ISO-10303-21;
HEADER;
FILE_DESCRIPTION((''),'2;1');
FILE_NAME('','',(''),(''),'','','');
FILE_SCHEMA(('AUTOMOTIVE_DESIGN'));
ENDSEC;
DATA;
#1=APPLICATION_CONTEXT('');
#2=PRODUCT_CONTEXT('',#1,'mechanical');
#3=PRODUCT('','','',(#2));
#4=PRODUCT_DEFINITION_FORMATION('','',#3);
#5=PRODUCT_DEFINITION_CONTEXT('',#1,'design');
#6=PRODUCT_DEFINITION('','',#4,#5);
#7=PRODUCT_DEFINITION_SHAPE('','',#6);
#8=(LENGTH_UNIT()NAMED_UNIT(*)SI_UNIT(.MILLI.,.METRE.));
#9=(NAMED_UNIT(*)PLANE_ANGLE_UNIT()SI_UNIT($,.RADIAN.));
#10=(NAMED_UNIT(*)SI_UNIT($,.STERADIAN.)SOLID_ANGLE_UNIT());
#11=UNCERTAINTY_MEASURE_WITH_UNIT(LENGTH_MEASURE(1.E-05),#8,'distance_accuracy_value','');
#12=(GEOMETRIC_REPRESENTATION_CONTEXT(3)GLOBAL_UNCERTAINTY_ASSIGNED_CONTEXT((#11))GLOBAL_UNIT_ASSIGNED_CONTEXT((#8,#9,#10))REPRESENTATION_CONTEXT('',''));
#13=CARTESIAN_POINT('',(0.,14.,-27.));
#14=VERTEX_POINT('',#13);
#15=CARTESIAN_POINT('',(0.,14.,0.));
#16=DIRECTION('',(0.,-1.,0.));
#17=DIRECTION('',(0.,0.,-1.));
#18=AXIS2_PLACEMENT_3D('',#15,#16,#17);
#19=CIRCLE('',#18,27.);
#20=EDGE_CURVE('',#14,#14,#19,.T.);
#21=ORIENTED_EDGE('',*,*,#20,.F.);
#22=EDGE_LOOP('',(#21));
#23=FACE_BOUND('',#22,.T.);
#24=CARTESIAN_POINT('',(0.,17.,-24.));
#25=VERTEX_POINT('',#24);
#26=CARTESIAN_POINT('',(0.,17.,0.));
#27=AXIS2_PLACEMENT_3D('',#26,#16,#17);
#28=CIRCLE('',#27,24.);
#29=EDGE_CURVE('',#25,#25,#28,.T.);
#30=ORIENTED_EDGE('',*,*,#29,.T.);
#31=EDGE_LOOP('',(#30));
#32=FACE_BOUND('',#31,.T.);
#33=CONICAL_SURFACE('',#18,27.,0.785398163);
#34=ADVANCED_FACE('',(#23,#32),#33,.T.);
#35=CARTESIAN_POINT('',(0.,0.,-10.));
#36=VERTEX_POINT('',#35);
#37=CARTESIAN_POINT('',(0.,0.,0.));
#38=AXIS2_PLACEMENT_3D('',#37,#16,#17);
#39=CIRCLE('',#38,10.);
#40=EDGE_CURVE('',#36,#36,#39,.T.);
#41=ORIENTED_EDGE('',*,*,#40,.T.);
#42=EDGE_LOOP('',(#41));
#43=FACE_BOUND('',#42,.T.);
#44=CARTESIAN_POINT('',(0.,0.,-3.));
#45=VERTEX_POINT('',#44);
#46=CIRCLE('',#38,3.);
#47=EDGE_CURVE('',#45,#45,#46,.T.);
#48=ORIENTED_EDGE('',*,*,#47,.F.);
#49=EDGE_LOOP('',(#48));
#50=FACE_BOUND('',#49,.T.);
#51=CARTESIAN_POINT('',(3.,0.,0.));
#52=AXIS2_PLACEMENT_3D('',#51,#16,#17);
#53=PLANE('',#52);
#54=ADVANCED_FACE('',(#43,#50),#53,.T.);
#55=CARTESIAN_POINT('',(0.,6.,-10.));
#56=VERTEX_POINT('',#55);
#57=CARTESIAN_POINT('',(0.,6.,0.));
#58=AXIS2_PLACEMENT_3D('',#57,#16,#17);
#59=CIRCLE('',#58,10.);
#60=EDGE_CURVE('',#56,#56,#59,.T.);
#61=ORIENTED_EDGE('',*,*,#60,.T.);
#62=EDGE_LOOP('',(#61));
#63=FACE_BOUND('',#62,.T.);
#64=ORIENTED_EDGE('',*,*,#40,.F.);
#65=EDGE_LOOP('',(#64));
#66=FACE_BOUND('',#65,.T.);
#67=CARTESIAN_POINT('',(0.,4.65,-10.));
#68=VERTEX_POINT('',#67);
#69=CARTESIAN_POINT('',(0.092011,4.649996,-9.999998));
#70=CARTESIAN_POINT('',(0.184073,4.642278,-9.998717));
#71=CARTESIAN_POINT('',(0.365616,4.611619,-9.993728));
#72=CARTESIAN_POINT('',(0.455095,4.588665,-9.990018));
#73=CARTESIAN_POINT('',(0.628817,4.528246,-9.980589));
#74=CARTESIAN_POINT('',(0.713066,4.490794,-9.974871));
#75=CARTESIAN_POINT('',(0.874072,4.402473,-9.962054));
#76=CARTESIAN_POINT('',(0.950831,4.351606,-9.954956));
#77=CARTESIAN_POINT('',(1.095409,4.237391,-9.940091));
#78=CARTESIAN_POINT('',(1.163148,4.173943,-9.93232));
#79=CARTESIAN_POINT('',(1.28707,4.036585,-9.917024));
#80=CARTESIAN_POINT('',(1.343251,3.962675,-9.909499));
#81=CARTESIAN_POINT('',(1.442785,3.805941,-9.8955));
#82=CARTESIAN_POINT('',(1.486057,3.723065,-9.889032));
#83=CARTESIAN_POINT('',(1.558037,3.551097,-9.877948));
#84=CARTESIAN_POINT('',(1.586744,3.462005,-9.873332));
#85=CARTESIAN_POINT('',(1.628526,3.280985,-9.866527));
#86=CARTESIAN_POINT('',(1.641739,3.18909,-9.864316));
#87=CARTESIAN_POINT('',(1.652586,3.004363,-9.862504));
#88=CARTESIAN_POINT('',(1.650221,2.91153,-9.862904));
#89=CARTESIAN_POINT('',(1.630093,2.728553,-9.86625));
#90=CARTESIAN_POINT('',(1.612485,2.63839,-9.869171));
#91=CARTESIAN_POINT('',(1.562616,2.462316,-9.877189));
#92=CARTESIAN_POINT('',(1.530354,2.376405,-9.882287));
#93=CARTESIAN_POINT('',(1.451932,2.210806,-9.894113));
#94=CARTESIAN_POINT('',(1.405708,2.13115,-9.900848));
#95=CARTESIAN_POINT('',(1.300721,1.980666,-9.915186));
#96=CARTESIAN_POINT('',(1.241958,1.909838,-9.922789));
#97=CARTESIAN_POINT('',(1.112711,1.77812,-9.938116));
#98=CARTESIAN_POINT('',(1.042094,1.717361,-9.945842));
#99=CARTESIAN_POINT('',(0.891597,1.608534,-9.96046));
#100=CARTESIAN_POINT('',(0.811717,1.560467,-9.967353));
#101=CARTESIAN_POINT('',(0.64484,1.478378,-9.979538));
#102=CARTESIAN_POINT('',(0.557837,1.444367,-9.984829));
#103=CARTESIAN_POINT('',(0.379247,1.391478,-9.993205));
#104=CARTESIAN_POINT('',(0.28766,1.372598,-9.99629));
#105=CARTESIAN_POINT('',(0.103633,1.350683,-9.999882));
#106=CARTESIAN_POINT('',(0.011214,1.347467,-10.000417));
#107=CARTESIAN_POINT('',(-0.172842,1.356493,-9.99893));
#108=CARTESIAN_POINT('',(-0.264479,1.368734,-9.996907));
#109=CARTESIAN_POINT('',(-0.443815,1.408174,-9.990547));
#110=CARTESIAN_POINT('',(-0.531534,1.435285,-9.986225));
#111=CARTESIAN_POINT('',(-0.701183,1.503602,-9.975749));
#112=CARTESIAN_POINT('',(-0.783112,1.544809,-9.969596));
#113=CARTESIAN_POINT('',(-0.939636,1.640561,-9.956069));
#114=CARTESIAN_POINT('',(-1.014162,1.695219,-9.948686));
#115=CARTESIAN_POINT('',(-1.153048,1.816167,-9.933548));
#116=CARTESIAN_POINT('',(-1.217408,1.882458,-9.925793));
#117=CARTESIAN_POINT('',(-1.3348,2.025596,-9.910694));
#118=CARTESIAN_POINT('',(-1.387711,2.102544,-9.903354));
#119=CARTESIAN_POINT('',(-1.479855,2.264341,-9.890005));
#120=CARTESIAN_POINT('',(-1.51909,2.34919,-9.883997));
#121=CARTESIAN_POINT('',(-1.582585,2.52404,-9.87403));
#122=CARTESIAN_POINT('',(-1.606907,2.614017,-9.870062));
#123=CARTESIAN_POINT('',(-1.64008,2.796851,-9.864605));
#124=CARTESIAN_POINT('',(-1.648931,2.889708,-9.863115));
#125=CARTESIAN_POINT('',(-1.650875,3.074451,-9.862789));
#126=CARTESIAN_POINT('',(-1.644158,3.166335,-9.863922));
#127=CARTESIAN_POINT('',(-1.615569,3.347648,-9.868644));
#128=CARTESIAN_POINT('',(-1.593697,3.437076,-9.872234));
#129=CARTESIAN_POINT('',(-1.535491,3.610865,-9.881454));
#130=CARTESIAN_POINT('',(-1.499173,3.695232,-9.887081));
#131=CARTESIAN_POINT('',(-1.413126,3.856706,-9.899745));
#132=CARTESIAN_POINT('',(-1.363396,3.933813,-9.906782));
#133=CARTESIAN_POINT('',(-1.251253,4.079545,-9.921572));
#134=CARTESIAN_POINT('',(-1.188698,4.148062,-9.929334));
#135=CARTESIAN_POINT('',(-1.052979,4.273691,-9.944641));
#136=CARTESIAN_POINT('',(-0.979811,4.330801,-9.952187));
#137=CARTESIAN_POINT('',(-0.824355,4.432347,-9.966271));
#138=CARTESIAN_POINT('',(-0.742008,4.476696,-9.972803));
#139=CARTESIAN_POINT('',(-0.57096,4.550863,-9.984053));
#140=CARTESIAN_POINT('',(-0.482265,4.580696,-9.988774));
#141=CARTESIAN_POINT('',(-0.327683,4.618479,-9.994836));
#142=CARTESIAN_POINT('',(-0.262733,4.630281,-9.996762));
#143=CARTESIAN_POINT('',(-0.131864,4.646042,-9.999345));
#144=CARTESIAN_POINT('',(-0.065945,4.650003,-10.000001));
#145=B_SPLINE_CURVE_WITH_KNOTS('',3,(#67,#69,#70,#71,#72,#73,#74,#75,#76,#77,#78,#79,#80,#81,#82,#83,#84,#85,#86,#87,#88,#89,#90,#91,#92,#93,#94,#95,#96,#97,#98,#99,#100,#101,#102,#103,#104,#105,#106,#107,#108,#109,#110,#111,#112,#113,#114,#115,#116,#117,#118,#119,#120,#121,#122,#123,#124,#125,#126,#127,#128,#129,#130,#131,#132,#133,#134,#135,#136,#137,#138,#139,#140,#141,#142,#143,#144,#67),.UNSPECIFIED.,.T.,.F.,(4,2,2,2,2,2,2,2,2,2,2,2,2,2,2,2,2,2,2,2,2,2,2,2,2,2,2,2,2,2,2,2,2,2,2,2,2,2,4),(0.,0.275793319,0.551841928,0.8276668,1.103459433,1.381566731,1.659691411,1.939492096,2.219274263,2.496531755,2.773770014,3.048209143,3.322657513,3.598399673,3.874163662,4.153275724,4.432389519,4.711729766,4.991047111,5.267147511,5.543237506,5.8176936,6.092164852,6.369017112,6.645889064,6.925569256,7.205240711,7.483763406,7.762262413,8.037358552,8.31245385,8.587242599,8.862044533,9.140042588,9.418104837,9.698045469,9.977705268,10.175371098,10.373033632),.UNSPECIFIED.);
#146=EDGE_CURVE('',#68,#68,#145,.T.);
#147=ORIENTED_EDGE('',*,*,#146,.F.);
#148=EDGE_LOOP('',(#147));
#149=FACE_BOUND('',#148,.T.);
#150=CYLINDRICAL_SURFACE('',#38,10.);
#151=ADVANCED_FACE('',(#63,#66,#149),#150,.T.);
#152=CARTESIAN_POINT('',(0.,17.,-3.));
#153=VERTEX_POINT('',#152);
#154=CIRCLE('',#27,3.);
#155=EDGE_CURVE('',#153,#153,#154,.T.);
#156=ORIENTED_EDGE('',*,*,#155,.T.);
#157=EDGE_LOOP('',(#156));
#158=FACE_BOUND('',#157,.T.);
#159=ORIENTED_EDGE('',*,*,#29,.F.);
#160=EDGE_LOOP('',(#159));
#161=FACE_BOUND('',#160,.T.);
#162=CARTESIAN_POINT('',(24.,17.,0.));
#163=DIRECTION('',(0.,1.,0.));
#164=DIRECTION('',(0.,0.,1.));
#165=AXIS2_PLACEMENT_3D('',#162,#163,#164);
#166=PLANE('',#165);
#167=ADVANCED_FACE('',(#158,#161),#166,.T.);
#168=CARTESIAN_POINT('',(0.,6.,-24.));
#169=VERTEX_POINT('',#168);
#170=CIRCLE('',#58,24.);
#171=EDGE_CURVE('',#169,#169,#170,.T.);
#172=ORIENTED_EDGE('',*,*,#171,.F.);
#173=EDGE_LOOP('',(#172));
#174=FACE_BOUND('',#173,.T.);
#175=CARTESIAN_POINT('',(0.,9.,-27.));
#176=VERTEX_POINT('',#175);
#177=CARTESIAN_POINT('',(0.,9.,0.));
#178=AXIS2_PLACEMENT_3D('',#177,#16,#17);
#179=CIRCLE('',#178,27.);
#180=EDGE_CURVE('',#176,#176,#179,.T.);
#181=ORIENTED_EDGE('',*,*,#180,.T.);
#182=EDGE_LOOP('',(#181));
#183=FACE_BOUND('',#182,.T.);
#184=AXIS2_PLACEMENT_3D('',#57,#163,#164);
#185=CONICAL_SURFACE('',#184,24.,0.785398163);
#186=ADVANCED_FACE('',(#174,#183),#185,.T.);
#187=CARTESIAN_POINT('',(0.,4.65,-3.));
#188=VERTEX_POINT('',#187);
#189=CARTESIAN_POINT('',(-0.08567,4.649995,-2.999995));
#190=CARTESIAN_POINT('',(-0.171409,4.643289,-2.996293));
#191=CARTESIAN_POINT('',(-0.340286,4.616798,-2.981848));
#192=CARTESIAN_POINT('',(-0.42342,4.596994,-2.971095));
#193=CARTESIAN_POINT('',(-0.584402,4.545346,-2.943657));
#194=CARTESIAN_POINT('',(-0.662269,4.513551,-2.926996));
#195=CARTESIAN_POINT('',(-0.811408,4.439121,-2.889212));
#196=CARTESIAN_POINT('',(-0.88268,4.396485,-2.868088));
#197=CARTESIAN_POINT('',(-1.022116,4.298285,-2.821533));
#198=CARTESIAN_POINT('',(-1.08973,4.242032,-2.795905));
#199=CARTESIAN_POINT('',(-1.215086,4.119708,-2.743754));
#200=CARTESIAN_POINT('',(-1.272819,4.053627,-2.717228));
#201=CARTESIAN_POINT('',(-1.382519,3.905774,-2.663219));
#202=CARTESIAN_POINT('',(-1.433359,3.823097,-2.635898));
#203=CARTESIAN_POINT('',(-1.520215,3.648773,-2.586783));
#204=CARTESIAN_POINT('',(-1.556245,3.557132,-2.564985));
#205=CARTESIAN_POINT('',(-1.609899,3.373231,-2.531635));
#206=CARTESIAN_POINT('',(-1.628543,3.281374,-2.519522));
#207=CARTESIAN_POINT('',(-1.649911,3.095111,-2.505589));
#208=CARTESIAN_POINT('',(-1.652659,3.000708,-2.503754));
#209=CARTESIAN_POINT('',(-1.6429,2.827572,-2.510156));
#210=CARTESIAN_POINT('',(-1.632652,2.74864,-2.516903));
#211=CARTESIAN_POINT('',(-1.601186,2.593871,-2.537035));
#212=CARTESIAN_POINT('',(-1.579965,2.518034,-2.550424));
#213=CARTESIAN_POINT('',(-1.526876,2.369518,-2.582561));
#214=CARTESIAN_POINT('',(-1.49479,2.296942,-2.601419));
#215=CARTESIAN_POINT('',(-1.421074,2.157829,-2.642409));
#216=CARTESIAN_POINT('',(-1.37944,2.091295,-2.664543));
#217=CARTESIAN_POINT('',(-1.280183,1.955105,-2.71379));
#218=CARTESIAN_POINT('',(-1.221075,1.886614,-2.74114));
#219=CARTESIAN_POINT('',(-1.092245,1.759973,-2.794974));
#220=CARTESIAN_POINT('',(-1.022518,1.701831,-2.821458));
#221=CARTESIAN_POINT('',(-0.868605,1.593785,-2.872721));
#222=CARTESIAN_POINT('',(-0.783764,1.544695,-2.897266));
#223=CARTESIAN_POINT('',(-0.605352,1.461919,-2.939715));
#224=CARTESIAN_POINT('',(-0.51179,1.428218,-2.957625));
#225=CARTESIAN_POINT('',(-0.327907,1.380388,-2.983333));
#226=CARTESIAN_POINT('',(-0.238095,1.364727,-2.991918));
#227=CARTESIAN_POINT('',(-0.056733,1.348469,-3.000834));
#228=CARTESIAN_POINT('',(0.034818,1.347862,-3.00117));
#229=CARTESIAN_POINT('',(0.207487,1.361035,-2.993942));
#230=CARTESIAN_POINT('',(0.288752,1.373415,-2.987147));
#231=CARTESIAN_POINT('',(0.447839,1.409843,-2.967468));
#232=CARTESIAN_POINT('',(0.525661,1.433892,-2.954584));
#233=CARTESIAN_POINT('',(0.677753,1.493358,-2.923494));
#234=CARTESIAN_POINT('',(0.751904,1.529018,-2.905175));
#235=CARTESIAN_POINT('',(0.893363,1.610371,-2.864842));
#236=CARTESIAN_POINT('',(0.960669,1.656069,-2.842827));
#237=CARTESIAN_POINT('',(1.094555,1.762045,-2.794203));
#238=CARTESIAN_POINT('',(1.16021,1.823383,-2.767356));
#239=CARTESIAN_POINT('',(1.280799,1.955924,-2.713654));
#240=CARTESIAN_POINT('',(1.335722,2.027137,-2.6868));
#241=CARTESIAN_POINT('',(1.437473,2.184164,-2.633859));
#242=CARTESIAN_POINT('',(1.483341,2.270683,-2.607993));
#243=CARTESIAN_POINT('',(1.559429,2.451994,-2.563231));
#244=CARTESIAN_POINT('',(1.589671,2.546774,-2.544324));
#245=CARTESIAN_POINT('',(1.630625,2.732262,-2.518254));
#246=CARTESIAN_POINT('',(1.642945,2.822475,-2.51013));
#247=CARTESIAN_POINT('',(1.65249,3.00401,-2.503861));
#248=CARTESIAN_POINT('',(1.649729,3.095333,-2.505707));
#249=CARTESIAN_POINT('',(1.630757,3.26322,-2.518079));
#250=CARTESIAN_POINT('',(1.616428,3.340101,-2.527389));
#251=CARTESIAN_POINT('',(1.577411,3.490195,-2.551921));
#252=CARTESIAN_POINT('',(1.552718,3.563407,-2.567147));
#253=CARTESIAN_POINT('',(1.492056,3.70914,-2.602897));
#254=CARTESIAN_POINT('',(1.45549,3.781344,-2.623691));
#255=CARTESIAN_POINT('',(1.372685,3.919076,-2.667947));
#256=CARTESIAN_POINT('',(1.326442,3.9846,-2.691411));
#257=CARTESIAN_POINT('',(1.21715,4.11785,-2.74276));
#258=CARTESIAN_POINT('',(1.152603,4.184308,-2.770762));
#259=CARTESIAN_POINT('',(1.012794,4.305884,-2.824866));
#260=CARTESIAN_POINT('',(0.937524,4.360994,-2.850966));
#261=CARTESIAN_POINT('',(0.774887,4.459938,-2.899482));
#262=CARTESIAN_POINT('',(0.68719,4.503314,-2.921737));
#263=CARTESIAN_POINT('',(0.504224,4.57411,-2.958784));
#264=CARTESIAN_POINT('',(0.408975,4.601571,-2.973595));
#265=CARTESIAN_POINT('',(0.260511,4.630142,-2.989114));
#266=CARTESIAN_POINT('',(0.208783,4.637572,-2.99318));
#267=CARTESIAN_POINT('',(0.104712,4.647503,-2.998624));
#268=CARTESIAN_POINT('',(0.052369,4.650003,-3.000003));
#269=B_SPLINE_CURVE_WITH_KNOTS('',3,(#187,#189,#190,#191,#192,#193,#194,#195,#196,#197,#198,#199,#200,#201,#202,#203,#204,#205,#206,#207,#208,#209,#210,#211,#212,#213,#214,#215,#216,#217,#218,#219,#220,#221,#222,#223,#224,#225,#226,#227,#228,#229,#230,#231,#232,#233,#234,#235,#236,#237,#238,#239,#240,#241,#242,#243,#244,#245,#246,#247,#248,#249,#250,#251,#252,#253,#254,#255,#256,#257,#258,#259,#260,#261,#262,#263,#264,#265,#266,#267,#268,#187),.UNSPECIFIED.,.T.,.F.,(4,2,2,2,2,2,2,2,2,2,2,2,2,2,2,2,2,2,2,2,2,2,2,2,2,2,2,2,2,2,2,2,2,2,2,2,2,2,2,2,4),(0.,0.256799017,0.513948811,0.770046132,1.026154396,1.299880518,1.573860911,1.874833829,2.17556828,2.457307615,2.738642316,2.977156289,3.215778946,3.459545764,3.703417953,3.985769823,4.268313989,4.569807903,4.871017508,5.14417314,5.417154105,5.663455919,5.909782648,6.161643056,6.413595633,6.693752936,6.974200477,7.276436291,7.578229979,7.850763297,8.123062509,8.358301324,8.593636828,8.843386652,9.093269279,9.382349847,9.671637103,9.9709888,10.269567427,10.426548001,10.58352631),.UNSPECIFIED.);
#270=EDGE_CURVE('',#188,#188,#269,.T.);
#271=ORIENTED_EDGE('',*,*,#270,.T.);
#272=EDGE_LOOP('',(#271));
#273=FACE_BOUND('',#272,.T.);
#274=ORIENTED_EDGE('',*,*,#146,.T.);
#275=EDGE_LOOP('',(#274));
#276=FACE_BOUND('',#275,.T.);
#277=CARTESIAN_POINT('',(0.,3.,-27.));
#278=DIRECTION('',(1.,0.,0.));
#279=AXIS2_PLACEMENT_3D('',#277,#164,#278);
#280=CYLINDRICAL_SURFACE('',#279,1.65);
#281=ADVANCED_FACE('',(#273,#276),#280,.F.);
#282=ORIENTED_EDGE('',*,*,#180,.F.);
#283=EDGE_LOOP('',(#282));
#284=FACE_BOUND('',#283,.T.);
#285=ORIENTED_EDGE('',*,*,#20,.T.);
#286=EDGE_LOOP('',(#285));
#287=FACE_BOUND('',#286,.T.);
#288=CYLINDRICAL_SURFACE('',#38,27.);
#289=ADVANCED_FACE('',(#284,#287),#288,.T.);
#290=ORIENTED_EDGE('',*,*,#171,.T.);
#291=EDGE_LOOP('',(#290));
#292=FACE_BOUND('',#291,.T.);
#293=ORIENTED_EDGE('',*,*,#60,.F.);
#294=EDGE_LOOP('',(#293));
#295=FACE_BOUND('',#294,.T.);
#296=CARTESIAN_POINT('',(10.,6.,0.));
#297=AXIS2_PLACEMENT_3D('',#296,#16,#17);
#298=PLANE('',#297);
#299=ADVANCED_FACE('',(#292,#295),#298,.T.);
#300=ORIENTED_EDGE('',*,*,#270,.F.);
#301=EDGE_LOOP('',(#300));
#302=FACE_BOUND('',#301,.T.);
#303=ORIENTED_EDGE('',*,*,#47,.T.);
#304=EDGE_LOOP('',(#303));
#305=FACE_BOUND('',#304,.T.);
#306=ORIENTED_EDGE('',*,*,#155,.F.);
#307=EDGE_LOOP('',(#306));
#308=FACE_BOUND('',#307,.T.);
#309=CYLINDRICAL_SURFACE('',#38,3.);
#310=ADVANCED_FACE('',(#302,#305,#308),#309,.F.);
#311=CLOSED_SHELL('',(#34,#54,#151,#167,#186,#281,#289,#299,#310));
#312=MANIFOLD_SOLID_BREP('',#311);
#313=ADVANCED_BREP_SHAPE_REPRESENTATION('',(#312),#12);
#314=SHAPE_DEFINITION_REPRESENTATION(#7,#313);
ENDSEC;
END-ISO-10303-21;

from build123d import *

# Parameters (mm, degrees)
SKETCH2_R          = 1.65
CUT_EXTRUDE1_DEPTH = 42.797129088


with BuildPart() as part:
    # Sketch1 → Revolve1 (revolve)
    with BuildSketch(Plane.XY, mode=Mode.PRIVATE) as revolve1_sk:
        Polygon((10, 0), (10, 6), (24, 6), (27, 9), (27, 14), (24, 17), (3, 17), (3, 0), align=None)
    revolve(revolve1_sk.sketch.rotate(Axis((0, 0, 0), (0, 1, 0)), 90), axis=Axis((0, 0, 0), (0, 1, 0)))

    # Sketch2 → Cut-Extrude1 (cut, through all)
    with BuildSketch(Plane.XY):
        with Locations(Location((0, 3, 0), (0, 0, 90))):
            Circle(SKETCH2_R)
    extrude(amount=-CUT_EXTRUDE1_DEPTH, mode=Mode.SUBTRACT)


solid = part.part
